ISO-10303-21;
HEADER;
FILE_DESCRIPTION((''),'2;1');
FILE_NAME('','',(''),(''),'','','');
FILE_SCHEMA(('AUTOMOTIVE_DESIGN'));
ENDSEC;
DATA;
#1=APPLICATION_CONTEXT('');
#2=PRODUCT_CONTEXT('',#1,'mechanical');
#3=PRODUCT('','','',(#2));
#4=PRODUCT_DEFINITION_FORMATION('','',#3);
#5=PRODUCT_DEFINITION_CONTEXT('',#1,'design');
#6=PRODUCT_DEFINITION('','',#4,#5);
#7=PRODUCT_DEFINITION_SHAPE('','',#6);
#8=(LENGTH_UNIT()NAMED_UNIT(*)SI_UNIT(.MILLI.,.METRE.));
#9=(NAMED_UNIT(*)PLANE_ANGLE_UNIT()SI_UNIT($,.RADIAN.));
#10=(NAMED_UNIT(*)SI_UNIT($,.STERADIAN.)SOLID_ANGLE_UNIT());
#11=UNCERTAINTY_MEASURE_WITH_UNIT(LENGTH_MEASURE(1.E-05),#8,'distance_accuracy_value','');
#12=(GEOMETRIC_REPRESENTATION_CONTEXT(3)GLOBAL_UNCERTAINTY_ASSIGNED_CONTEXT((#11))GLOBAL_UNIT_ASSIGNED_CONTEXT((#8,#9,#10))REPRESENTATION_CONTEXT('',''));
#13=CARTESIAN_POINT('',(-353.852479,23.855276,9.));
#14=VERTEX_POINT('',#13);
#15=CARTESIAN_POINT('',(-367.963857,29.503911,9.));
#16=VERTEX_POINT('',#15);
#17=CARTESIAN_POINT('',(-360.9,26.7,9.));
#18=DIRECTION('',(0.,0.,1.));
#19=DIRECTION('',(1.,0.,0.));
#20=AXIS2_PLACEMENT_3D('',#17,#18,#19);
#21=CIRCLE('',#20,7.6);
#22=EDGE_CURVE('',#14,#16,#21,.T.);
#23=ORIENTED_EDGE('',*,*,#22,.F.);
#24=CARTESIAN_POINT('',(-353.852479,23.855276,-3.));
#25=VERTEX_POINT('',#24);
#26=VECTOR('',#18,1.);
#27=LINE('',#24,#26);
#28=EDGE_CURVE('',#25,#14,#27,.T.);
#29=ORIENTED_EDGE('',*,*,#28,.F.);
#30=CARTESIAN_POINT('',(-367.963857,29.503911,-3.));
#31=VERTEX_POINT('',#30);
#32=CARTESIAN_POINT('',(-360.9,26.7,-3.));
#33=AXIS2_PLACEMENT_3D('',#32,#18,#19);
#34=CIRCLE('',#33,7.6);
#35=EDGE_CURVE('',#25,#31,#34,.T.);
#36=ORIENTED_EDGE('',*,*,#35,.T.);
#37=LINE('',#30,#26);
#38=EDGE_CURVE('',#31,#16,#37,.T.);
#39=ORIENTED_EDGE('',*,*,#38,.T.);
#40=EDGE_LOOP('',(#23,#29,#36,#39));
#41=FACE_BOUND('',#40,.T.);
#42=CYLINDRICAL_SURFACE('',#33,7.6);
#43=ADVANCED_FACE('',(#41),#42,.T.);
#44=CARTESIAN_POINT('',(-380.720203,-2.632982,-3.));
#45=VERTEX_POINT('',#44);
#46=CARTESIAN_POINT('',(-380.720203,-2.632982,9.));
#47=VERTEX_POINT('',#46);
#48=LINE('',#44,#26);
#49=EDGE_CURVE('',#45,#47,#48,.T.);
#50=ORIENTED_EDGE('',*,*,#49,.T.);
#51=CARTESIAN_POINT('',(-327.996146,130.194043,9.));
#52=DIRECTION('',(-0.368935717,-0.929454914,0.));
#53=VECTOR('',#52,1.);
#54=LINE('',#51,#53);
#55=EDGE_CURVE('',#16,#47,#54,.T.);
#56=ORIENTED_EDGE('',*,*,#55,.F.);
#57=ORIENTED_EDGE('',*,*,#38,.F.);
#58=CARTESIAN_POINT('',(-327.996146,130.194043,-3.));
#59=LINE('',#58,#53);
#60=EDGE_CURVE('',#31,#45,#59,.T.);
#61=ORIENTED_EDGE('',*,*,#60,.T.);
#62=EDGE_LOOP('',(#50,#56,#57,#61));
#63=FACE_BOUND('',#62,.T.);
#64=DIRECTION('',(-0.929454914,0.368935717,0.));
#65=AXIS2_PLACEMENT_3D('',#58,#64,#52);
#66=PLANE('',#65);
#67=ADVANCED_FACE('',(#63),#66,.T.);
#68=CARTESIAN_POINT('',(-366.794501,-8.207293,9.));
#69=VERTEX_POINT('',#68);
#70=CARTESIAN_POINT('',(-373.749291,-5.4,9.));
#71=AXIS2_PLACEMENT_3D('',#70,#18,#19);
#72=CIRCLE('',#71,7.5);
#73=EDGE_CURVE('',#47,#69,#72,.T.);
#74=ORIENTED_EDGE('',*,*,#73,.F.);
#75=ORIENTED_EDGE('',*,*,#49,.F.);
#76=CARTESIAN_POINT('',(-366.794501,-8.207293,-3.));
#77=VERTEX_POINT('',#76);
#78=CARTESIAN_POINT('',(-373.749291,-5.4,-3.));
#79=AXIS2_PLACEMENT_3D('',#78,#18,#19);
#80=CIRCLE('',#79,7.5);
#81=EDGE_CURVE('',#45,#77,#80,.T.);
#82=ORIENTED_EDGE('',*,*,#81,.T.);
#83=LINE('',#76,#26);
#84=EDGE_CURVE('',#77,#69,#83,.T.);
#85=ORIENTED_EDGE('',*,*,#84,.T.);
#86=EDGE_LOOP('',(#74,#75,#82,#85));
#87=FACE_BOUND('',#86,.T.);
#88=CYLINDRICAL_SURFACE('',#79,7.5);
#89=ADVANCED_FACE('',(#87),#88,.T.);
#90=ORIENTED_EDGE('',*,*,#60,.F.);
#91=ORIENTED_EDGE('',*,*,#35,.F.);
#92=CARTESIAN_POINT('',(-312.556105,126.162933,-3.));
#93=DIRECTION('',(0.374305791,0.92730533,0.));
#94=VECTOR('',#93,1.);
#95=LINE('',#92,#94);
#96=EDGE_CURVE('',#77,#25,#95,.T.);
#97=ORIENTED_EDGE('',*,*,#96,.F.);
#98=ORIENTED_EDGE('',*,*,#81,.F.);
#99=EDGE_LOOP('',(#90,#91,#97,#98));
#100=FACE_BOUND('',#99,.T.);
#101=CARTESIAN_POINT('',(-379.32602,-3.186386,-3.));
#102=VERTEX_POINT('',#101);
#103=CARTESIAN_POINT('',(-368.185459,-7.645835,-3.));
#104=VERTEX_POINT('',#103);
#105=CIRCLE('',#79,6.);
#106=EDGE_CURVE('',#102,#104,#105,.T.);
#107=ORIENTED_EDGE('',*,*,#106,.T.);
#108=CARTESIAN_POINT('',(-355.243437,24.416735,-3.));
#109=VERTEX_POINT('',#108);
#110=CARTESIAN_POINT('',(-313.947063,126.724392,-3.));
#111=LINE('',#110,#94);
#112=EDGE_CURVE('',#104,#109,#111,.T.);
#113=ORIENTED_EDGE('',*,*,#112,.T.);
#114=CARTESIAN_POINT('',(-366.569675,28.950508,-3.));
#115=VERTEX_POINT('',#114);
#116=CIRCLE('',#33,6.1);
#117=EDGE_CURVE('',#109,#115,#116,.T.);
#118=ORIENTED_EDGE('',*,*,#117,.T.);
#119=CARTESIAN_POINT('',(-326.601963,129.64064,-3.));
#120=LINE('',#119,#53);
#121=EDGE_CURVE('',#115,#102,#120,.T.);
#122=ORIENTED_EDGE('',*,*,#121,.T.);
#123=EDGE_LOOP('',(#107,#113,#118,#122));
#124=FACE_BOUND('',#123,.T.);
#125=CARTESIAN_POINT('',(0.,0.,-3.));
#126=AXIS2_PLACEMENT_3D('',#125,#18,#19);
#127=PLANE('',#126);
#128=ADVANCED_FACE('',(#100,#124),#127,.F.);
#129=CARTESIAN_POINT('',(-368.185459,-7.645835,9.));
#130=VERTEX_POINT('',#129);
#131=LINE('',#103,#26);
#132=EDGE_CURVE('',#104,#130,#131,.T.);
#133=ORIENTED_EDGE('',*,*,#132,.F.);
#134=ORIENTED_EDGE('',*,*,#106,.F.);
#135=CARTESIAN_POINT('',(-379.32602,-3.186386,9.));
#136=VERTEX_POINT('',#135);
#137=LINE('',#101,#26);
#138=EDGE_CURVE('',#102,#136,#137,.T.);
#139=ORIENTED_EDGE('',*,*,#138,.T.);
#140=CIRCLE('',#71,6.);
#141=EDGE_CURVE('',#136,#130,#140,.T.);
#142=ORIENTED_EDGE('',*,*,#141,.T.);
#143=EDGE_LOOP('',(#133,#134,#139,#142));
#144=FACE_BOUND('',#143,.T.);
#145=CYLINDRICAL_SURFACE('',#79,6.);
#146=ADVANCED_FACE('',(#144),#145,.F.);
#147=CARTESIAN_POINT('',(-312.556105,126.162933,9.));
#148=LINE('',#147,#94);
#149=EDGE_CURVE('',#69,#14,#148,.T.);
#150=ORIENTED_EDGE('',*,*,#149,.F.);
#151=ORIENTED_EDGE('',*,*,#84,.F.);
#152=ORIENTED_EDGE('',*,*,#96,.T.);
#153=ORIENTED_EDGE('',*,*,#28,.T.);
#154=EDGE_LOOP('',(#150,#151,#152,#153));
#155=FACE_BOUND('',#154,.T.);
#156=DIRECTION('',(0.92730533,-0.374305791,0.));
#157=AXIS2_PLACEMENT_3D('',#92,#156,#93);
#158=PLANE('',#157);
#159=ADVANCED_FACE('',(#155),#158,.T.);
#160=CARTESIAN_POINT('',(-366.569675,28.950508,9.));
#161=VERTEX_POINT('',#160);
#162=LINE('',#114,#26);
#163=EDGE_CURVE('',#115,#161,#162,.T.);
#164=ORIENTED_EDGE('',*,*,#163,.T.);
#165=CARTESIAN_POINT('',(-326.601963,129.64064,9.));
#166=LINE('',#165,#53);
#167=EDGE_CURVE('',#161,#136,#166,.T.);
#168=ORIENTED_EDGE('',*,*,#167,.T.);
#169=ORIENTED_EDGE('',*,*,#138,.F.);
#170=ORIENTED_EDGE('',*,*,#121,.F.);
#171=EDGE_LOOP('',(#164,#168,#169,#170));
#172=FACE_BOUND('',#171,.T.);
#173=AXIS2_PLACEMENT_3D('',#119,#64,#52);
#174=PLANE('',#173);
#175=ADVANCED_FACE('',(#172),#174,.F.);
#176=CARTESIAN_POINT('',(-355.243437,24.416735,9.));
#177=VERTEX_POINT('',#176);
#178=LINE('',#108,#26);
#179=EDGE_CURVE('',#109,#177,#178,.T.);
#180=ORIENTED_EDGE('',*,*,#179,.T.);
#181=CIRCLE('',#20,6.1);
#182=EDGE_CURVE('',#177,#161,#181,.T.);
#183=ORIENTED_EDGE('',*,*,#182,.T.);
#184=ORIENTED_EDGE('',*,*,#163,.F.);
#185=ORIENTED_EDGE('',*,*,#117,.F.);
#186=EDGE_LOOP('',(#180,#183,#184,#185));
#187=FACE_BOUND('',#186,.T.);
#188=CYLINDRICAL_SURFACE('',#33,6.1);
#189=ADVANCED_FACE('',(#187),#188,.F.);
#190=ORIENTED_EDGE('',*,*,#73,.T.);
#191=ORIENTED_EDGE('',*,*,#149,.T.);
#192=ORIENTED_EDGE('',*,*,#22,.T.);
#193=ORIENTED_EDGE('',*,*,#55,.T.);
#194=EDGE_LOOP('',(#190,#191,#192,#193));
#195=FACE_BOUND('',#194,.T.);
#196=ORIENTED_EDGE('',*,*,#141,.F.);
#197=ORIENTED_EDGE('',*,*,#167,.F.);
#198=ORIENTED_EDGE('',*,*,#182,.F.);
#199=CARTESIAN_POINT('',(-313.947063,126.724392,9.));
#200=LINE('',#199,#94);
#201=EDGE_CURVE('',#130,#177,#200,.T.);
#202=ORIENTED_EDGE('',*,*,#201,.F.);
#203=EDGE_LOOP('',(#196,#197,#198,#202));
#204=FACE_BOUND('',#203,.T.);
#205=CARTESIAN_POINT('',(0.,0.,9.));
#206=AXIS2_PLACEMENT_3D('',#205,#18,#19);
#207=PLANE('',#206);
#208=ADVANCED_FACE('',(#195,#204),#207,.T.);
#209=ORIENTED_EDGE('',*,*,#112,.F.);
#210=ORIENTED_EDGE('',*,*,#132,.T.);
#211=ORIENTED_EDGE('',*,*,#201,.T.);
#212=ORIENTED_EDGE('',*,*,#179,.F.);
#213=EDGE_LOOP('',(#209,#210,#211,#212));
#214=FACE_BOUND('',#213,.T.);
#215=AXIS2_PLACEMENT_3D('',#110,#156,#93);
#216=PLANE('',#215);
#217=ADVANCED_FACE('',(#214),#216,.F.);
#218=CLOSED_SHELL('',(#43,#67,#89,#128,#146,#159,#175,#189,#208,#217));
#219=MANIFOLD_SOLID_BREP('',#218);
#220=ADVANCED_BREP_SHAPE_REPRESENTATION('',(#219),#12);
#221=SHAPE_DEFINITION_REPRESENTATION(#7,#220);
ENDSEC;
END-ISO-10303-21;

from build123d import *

# Parameters (mm, degrees)
SALIENTE_EXTRUIR1_DEPTH = 6


with BuildPart() as part:
    # Croquis3 → Saliente-Extruir1 (new body, symmetric)
    with BuildSketch(Plane.XY.offset(3)):
        with BuildLine():
            Line((-366.794500886, -8.207293434), (-353.852479494, 23.855275987))
            ThreePointArc((-353.852479494, 23.855275987), (-358.075670455, 33.755718434), (-367.963857344, 29.503911452))
            Line((-367.963857344, 29.503911452), (-380.720202712, -2.63298212))
            ThreePointArc((-380.720202712, -2.63298212), (-376.536458173, -12.362880034), (-366.794500886, -8.207293434))
        make_face()
        with BuildLine():
            Line((-366.569674973, 28.950507876), (-379.326020341, -3.186385696))
            ThreePointArc((-379.326020341, -3.186385696), (-375.979024711, -10.970304027), (-368.185458881, -7.645834747))
            Line((-368.185458881, -7.645834747), (-355.243437488, 24.416734674))
            ThreePointArc((-355.243437488, 24.416734674), (-358.633103918, 32.363142427), (-366.569674973, 28.950507876))
        make_face(mode=Mode.SUBTRACT)
    extrude(amount=SALIENTE_EXTRUIR1_DEPTH, both=True)


solid = part.part
